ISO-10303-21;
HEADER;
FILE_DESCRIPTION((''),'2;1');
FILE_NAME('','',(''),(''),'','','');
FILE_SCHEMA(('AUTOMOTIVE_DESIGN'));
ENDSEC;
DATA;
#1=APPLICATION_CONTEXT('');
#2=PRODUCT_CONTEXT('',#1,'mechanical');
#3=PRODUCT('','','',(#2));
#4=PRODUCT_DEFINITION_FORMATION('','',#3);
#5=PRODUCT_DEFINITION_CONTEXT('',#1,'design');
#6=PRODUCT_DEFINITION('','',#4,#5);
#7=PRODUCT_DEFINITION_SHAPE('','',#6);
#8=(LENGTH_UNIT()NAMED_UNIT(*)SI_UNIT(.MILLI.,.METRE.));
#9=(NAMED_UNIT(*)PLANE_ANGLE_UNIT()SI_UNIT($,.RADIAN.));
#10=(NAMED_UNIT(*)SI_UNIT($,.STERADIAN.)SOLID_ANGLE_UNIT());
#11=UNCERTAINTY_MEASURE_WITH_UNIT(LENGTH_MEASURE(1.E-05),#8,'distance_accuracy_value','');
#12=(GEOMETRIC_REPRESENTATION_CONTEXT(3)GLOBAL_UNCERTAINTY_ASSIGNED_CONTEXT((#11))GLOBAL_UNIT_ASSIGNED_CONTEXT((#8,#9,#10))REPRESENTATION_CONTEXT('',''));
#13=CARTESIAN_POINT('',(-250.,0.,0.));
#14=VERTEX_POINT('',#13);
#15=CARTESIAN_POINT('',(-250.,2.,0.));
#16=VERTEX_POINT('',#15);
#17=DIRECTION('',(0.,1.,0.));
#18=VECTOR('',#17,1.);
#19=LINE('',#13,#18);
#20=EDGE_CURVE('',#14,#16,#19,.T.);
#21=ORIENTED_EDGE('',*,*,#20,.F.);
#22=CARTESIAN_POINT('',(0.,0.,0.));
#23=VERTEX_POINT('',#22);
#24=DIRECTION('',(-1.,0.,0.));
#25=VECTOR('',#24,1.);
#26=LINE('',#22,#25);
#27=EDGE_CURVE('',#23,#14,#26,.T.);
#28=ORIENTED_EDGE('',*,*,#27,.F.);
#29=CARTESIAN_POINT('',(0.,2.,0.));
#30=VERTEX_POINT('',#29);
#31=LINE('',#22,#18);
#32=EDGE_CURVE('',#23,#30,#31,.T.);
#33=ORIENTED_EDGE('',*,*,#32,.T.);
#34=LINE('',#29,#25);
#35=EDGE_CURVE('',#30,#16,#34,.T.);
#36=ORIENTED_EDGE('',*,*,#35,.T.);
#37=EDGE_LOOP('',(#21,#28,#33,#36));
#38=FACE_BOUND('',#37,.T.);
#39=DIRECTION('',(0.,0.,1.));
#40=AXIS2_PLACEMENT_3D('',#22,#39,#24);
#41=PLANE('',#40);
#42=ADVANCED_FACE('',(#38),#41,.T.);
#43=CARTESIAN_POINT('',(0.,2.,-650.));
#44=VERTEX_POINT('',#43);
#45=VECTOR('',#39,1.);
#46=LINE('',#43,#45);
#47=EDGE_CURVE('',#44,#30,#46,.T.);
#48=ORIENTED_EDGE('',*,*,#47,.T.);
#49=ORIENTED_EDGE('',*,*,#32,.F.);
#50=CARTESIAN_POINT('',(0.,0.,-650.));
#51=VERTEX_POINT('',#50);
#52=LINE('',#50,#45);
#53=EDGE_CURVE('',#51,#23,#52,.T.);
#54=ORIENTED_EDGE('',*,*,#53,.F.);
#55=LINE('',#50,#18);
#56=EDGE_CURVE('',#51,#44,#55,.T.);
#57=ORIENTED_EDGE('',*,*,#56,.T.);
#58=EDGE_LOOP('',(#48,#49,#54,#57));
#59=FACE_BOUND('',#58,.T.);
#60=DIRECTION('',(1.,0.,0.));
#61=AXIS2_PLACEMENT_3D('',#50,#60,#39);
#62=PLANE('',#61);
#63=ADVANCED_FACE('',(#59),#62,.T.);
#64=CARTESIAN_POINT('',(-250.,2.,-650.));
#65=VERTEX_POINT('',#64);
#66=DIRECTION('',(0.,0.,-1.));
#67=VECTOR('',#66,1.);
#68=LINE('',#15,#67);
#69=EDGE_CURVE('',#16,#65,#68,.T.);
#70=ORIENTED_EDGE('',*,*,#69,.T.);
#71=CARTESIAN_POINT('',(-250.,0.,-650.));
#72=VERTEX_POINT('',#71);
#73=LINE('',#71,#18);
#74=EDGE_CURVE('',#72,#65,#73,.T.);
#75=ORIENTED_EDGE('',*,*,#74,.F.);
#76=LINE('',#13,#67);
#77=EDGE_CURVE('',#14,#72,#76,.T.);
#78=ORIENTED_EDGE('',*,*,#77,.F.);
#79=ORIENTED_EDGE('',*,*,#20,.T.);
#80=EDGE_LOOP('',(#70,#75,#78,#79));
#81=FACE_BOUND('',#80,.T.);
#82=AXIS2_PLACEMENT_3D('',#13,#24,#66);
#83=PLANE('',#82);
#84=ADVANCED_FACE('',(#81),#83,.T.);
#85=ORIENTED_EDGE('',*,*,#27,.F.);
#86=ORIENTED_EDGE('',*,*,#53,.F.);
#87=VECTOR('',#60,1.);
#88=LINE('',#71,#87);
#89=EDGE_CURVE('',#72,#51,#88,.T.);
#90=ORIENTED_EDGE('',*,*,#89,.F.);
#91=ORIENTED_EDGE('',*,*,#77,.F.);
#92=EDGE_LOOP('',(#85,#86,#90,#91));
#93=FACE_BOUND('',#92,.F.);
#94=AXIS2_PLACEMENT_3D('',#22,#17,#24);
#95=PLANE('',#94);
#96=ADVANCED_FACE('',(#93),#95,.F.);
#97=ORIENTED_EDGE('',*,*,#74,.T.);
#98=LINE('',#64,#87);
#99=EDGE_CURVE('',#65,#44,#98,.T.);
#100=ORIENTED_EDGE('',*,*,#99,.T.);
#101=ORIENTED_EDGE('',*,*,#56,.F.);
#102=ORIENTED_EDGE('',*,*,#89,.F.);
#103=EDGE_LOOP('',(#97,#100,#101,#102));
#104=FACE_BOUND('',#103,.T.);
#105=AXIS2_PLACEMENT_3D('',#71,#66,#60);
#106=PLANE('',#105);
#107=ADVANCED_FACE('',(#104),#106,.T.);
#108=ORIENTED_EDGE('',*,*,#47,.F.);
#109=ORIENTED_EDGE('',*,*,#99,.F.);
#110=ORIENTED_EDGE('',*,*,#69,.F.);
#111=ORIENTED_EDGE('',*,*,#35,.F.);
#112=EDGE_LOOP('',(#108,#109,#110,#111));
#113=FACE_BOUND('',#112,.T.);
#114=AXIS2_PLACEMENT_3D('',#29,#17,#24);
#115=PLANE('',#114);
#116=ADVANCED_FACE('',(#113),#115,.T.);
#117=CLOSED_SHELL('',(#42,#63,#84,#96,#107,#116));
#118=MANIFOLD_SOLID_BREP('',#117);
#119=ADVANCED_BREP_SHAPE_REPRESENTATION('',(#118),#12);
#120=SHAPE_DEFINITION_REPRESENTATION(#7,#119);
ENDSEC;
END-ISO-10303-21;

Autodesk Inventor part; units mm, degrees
ref_plane "YZ Plane" through (0, 0, 0) normal (1, 0, 0) x (0, 1, 0)
ref_plane "XZ Plane" through (0, 0, 0) normal (0, 1, 0) x (-1, 0, 0)
ref_plane "XY Plane" through (0, 0, 0) normal (0, 0, 1) x (1, 0, 0)
sketch "Sketch1" plane through (0, 0, 0) normal (0, 1, 0) x (-1, 0, 0)
  line L0 (0, 0) -> (250, 0)
  line L1 (250, 0) -> (250, -650)
  line L2 (250, -650) -> (0, -650)
  line L3 (0, -650) -> (0, 0)
  dimension "d0" = 250
  dimension "d3" = 650
extrude "Extrusion1" add sketch "Sketch1" along normal blind 2
properties part number "ground"
